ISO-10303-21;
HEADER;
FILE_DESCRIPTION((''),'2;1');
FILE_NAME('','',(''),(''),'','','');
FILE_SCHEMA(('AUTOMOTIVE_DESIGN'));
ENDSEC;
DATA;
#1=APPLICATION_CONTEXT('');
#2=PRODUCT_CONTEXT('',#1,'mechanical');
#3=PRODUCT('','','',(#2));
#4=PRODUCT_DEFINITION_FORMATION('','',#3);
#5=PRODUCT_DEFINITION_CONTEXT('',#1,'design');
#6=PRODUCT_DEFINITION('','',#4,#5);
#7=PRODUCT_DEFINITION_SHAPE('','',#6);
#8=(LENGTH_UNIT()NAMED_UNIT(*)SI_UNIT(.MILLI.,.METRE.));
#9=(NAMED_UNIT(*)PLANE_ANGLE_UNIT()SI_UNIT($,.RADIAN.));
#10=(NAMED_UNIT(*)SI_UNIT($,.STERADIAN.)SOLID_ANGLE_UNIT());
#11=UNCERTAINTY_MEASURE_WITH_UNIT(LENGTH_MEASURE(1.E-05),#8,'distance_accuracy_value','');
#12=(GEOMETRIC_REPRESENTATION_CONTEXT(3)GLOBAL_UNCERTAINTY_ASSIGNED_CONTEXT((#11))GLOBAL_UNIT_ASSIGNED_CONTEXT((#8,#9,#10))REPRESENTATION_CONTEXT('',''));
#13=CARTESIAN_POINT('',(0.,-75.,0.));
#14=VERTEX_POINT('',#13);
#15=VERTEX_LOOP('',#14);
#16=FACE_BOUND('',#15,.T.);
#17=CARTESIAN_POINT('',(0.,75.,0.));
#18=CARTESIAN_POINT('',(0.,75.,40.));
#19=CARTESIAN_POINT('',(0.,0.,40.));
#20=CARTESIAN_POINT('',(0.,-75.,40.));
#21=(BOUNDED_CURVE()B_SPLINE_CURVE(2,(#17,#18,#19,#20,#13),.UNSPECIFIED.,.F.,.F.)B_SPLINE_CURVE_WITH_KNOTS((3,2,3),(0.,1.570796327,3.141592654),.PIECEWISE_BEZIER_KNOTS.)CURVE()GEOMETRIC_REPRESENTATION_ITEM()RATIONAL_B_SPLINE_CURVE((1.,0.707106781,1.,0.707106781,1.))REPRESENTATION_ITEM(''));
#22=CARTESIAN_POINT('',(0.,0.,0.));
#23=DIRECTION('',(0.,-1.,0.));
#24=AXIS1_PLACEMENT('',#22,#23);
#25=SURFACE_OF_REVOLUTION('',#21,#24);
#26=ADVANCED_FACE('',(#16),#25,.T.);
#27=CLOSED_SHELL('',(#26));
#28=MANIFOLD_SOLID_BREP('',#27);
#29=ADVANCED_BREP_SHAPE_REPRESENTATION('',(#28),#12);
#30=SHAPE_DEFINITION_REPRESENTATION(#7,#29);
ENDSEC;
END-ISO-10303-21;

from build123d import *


with BuildPart() as f1:
    # F0 (on Right) → F1 (revolve)
    with BuildSketch(Plane.YZ):
        with BuildLine():
            Line((-75, 0), (75, 0))
            add(Edge.make_bspline(
                [(75, 0), (75, 40), (0, 40), (-75, 40), (-75, 0)],
                knots=[0, 0, 0, 1.5707963268, 1.5707963268, 3.1415926536, 3.1415926536, 3.1415926536], degree=2, weights=[1, 0.7071067812, 1, 0.7071067812, 1]))
        make_face()
    revolve(axis=Axis((0, 0, 0), (0, -1, 0)))


solid = f1.part
